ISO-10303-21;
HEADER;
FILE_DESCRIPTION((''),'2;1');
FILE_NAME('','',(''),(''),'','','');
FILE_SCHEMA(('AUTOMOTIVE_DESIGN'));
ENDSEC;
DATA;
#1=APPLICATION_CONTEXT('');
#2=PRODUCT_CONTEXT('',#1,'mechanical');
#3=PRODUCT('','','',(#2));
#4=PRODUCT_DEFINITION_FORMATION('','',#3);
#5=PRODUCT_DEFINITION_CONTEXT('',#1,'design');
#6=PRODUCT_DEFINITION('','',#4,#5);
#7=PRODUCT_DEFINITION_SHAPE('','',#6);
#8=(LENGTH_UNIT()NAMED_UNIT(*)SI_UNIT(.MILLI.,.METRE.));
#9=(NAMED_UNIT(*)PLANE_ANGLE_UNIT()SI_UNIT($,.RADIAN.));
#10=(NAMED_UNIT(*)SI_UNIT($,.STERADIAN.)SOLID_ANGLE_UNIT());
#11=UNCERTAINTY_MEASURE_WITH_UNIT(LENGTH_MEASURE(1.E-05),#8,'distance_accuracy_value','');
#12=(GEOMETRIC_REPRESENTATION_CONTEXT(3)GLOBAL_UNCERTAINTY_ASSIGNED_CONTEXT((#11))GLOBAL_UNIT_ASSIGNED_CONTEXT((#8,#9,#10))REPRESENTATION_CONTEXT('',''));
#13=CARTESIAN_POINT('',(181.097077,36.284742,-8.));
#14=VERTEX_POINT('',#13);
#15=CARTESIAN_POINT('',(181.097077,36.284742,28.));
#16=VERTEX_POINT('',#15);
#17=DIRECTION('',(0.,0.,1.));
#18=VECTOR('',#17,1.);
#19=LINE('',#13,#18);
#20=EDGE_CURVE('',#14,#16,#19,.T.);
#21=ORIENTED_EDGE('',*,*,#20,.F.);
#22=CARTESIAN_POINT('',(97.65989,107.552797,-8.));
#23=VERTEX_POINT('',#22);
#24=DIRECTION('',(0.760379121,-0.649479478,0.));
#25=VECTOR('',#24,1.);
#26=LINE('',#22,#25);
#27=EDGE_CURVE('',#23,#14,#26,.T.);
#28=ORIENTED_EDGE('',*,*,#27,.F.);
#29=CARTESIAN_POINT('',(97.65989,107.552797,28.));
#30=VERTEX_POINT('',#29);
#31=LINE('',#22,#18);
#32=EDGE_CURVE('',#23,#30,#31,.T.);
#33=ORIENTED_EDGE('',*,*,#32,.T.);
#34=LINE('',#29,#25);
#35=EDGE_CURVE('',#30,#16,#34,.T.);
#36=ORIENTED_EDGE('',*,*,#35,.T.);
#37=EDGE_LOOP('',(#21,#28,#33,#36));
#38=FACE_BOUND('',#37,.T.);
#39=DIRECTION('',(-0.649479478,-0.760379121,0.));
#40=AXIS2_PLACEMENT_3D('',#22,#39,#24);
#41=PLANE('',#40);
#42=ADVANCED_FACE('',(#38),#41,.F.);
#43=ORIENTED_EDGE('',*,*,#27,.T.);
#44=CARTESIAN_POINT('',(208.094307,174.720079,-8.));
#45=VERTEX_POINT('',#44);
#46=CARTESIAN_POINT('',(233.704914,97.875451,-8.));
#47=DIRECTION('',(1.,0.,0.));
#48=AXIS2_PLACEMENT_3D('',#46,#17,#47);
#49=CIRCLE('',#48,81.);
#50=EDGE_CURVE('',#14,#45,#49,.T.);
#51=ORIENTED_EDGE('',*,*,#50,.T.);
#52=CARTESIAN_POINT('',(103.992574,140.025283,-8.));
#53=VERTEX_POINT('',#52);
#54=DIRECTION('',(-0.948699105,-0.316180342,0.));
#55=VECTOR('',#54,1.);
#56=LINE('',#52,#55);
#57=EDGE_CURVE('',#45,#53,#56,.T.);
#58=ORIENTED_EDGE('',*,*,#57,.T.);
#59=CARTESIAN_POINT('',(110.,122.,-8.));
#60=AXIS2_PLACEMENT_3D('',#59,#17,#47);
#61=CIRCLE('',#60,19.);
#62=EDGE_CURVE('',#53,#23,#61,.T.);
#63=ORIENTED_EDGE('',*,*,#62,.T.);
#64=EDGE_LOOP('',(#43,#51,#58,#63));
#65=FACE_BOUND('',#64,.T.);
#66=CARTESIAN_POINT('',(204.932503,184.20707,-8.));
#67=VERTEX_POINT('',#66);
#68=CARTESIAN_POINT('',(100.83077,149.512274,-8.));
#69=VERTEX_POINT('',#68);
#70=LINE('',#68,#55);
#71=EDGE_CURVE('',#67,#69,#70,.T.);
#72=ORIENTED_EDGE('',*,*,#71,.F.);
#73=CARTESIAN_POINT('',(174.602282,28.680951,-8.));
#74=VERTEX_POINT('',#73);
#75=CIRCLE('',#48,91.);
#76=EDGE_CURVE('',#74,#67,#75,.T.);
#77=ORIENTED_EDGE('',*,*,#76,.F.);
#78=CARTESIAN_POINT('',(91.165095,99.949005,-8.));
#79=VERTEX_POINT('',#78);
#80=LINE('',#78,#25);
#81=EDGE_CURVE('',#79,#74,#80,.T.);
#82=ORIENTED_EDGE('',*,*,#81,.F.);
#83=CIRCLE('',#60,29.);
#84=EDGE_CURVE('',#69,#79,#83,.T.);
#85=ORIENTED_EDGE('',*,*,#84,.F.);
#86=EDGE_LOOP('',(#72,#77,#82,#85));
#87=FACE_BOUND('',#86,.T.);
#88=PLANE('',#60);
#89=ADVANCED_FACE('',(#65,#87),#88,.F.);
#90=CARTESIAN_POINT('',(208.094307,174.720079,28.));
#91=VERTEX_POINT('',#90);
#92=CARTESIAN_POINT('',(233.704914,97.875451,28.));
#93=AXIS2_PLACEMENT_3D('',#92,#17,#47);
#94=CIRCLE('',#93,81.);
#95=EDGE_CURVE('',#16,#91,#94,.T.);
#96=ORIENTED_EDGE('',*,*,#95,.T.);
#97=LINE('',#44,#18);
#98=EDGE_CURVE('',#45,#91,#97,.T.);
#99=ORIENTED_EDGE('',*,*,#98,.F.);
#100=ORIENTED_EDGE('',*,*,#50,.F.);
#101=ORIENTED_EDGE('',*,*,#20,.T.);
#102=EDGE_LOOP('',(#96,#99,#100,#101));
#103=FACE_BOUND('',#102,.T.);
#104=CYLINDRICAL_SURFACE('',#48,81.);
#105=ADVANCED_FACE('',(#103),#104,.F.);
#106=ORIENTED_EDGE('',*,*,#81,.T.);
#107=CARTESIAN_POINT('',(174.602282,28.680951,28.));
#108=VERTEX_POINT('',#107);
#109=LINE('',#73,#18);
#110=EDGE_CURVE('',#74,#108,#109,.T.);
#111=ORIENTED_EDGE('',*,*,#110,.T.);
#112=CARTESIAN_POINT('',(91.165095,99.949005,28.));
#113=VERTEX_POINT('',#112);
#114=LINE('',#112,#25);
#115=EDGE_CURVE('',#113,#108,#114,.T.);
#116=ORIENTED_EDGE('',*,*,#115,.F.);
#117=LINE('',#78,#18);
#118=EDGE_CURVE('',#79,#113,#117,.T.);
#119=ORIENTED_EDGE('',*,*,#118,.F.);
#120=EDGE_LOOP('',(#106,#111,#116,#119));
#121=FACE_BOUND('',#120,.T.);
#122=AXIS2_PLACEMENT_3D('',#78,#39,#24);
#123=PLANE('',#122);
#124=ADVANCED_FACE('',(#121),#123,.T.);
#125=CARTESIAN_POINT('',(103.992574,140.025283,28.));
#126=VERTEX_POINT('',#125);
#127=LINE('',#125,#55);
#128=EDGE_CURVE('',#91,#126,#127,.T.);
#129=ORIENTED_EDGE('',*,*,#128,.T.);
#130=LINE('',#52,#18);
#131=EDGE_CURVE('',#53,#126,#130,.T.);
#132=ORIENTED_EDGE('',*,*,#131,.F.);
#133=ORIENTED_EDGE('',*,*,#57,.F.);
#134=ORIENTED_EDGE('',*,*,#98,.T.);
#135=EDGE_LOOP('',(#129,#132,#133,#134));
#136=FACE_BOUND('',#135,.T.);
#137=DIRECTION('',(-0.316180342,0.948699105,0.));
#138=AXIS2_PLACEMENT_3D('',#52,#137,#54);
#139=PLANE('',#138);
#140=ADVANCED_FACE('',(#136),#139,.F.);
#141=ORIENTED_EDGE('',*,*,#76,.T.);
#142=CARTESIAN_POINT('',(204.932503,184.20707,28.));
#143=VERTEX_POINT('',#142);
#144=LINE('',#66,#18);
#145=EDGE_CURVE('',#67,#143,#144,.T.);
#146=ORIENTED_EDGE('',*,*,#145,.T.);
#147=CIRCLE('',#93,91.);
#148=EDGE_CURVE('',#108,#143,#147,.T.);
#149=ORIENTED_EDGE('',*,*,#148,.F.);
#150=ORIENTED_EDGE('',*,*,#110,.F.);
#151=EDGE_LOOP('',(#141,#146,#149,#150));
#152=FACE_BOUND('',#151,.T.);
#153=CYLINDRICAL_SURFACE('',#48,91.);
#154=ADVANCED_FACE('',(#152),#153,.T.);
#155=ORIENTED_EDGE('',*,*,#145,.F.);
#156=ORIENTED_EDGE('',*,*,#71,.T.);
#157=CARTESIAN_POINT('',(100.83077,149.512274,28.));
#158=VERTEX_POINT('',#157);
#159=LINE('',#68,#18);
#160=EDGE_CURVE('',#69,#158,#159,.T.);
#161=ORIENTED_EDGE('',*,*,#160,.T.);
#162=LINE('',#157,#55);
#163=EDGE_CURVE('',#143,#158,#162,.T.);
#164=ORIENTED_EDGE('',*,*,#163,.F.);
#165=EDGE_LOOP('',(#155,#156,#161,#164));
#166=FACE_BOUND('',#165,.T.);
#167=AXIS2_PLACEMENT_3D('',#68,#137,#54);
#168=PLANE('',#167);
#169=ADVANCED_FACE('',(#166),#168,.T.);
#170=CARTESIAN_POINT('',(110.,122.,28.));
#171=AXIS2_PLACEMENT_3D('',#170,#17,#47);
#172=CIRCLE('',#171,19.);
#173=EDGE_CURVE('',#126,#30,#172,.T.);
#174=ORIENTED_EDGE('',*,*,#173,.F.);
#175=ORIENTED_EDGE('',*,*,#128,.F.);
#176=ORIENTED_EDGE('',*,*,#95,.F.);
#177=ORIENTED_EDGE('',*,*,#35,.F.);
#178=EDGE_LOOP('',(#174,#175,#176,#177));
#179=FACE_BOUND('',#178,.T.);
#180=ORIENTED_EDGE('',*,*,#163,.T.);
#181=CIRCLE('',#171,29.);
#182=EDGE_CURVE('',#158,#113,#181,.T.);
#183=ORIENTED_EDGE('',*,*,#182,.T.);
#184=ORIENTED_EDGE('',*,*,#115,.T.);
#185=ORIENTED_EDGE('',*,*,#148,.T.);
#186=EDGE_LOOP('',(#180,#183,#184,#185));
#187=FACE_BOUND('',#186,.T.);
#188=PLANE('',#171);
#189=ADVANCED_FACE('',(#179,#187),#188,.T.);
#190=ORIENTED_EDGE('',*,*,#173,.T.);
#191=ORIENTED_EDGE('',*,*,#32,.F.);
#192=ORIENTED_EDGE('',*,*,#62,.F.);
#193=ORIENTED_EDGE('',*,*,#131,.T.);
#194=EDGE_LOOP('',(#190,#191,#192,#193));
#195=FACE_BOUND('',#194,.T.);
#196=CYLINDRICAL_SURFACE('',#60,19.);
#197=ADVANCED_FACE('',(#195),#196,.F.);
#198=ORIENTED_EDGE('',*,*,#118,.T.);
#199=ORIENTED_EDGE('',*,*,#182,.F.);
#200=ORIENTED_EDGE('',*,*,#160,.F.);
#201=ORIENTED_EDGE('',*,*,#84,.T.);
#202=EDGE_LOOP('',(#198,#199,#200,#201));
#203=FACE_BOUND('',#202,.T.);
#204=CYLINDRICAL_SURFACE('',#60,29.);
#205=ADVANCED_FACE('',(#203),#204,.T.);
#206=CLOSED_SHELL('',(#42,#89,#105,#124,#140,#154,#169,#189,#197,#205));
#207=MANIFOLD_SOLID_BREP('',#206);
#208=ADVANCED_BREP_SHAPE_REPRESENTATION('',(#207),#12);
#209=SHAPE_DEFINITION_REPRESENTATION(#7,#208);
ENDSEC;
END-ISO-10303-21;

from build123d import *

# Parameters (mm, degrees)
EXTRUDE_THIN1_DEPTH      = 28
EXTRUDE_THIN1_DEPTH_BACK = 8


with BuildPart() as part:
    # Sketch1 → Extrude-Thin1 (new, two sides: drawn at the far end of the back side and taken through both)
    with BuildSketch(Plane.XY.offset(-EXTRUDE_THIN1_DEPTH_BACK)):
        with BuildLine():
            Line((174.602281923, 28.680951152), (91.165095139, 99.94900549))
            ThreePointArc((91.165095139, 99.94900549), (81.536210927, 127.550919887), (100.830770089, 149.51227404))
            Line((100.830770089, 149.51227404), (204.932503319, 184.207069705))
            ThreePointArc((204.932503319, 184.207069705), (323.02232151, 80.457047384), (174.602281923, 28.680951152))
        make_face()
        with BuildLine():
            Line((181.097076703, 36.284742362), (97.659889919, 107.5527967))
            ThreePointArc((97.659889919, 107.5527967), (91.351310607, 125.636809581), (103.992573507, 140.025282992))
            Line((103.992573507, 140.025282992), (208.094306736, 174.720078656))
            ThreePointArc((208.094306736, 174.720078656), (313.20722183, 82.371157689), (181.097076703, 36.284742362))
        make_face(mode=Mode.SUBTRACT)
    extrude(amount=EXTRUDE_THIN1_DEPTH + EXTRUDE_THIN1_DEPTH_BACK)


solid = part.part
